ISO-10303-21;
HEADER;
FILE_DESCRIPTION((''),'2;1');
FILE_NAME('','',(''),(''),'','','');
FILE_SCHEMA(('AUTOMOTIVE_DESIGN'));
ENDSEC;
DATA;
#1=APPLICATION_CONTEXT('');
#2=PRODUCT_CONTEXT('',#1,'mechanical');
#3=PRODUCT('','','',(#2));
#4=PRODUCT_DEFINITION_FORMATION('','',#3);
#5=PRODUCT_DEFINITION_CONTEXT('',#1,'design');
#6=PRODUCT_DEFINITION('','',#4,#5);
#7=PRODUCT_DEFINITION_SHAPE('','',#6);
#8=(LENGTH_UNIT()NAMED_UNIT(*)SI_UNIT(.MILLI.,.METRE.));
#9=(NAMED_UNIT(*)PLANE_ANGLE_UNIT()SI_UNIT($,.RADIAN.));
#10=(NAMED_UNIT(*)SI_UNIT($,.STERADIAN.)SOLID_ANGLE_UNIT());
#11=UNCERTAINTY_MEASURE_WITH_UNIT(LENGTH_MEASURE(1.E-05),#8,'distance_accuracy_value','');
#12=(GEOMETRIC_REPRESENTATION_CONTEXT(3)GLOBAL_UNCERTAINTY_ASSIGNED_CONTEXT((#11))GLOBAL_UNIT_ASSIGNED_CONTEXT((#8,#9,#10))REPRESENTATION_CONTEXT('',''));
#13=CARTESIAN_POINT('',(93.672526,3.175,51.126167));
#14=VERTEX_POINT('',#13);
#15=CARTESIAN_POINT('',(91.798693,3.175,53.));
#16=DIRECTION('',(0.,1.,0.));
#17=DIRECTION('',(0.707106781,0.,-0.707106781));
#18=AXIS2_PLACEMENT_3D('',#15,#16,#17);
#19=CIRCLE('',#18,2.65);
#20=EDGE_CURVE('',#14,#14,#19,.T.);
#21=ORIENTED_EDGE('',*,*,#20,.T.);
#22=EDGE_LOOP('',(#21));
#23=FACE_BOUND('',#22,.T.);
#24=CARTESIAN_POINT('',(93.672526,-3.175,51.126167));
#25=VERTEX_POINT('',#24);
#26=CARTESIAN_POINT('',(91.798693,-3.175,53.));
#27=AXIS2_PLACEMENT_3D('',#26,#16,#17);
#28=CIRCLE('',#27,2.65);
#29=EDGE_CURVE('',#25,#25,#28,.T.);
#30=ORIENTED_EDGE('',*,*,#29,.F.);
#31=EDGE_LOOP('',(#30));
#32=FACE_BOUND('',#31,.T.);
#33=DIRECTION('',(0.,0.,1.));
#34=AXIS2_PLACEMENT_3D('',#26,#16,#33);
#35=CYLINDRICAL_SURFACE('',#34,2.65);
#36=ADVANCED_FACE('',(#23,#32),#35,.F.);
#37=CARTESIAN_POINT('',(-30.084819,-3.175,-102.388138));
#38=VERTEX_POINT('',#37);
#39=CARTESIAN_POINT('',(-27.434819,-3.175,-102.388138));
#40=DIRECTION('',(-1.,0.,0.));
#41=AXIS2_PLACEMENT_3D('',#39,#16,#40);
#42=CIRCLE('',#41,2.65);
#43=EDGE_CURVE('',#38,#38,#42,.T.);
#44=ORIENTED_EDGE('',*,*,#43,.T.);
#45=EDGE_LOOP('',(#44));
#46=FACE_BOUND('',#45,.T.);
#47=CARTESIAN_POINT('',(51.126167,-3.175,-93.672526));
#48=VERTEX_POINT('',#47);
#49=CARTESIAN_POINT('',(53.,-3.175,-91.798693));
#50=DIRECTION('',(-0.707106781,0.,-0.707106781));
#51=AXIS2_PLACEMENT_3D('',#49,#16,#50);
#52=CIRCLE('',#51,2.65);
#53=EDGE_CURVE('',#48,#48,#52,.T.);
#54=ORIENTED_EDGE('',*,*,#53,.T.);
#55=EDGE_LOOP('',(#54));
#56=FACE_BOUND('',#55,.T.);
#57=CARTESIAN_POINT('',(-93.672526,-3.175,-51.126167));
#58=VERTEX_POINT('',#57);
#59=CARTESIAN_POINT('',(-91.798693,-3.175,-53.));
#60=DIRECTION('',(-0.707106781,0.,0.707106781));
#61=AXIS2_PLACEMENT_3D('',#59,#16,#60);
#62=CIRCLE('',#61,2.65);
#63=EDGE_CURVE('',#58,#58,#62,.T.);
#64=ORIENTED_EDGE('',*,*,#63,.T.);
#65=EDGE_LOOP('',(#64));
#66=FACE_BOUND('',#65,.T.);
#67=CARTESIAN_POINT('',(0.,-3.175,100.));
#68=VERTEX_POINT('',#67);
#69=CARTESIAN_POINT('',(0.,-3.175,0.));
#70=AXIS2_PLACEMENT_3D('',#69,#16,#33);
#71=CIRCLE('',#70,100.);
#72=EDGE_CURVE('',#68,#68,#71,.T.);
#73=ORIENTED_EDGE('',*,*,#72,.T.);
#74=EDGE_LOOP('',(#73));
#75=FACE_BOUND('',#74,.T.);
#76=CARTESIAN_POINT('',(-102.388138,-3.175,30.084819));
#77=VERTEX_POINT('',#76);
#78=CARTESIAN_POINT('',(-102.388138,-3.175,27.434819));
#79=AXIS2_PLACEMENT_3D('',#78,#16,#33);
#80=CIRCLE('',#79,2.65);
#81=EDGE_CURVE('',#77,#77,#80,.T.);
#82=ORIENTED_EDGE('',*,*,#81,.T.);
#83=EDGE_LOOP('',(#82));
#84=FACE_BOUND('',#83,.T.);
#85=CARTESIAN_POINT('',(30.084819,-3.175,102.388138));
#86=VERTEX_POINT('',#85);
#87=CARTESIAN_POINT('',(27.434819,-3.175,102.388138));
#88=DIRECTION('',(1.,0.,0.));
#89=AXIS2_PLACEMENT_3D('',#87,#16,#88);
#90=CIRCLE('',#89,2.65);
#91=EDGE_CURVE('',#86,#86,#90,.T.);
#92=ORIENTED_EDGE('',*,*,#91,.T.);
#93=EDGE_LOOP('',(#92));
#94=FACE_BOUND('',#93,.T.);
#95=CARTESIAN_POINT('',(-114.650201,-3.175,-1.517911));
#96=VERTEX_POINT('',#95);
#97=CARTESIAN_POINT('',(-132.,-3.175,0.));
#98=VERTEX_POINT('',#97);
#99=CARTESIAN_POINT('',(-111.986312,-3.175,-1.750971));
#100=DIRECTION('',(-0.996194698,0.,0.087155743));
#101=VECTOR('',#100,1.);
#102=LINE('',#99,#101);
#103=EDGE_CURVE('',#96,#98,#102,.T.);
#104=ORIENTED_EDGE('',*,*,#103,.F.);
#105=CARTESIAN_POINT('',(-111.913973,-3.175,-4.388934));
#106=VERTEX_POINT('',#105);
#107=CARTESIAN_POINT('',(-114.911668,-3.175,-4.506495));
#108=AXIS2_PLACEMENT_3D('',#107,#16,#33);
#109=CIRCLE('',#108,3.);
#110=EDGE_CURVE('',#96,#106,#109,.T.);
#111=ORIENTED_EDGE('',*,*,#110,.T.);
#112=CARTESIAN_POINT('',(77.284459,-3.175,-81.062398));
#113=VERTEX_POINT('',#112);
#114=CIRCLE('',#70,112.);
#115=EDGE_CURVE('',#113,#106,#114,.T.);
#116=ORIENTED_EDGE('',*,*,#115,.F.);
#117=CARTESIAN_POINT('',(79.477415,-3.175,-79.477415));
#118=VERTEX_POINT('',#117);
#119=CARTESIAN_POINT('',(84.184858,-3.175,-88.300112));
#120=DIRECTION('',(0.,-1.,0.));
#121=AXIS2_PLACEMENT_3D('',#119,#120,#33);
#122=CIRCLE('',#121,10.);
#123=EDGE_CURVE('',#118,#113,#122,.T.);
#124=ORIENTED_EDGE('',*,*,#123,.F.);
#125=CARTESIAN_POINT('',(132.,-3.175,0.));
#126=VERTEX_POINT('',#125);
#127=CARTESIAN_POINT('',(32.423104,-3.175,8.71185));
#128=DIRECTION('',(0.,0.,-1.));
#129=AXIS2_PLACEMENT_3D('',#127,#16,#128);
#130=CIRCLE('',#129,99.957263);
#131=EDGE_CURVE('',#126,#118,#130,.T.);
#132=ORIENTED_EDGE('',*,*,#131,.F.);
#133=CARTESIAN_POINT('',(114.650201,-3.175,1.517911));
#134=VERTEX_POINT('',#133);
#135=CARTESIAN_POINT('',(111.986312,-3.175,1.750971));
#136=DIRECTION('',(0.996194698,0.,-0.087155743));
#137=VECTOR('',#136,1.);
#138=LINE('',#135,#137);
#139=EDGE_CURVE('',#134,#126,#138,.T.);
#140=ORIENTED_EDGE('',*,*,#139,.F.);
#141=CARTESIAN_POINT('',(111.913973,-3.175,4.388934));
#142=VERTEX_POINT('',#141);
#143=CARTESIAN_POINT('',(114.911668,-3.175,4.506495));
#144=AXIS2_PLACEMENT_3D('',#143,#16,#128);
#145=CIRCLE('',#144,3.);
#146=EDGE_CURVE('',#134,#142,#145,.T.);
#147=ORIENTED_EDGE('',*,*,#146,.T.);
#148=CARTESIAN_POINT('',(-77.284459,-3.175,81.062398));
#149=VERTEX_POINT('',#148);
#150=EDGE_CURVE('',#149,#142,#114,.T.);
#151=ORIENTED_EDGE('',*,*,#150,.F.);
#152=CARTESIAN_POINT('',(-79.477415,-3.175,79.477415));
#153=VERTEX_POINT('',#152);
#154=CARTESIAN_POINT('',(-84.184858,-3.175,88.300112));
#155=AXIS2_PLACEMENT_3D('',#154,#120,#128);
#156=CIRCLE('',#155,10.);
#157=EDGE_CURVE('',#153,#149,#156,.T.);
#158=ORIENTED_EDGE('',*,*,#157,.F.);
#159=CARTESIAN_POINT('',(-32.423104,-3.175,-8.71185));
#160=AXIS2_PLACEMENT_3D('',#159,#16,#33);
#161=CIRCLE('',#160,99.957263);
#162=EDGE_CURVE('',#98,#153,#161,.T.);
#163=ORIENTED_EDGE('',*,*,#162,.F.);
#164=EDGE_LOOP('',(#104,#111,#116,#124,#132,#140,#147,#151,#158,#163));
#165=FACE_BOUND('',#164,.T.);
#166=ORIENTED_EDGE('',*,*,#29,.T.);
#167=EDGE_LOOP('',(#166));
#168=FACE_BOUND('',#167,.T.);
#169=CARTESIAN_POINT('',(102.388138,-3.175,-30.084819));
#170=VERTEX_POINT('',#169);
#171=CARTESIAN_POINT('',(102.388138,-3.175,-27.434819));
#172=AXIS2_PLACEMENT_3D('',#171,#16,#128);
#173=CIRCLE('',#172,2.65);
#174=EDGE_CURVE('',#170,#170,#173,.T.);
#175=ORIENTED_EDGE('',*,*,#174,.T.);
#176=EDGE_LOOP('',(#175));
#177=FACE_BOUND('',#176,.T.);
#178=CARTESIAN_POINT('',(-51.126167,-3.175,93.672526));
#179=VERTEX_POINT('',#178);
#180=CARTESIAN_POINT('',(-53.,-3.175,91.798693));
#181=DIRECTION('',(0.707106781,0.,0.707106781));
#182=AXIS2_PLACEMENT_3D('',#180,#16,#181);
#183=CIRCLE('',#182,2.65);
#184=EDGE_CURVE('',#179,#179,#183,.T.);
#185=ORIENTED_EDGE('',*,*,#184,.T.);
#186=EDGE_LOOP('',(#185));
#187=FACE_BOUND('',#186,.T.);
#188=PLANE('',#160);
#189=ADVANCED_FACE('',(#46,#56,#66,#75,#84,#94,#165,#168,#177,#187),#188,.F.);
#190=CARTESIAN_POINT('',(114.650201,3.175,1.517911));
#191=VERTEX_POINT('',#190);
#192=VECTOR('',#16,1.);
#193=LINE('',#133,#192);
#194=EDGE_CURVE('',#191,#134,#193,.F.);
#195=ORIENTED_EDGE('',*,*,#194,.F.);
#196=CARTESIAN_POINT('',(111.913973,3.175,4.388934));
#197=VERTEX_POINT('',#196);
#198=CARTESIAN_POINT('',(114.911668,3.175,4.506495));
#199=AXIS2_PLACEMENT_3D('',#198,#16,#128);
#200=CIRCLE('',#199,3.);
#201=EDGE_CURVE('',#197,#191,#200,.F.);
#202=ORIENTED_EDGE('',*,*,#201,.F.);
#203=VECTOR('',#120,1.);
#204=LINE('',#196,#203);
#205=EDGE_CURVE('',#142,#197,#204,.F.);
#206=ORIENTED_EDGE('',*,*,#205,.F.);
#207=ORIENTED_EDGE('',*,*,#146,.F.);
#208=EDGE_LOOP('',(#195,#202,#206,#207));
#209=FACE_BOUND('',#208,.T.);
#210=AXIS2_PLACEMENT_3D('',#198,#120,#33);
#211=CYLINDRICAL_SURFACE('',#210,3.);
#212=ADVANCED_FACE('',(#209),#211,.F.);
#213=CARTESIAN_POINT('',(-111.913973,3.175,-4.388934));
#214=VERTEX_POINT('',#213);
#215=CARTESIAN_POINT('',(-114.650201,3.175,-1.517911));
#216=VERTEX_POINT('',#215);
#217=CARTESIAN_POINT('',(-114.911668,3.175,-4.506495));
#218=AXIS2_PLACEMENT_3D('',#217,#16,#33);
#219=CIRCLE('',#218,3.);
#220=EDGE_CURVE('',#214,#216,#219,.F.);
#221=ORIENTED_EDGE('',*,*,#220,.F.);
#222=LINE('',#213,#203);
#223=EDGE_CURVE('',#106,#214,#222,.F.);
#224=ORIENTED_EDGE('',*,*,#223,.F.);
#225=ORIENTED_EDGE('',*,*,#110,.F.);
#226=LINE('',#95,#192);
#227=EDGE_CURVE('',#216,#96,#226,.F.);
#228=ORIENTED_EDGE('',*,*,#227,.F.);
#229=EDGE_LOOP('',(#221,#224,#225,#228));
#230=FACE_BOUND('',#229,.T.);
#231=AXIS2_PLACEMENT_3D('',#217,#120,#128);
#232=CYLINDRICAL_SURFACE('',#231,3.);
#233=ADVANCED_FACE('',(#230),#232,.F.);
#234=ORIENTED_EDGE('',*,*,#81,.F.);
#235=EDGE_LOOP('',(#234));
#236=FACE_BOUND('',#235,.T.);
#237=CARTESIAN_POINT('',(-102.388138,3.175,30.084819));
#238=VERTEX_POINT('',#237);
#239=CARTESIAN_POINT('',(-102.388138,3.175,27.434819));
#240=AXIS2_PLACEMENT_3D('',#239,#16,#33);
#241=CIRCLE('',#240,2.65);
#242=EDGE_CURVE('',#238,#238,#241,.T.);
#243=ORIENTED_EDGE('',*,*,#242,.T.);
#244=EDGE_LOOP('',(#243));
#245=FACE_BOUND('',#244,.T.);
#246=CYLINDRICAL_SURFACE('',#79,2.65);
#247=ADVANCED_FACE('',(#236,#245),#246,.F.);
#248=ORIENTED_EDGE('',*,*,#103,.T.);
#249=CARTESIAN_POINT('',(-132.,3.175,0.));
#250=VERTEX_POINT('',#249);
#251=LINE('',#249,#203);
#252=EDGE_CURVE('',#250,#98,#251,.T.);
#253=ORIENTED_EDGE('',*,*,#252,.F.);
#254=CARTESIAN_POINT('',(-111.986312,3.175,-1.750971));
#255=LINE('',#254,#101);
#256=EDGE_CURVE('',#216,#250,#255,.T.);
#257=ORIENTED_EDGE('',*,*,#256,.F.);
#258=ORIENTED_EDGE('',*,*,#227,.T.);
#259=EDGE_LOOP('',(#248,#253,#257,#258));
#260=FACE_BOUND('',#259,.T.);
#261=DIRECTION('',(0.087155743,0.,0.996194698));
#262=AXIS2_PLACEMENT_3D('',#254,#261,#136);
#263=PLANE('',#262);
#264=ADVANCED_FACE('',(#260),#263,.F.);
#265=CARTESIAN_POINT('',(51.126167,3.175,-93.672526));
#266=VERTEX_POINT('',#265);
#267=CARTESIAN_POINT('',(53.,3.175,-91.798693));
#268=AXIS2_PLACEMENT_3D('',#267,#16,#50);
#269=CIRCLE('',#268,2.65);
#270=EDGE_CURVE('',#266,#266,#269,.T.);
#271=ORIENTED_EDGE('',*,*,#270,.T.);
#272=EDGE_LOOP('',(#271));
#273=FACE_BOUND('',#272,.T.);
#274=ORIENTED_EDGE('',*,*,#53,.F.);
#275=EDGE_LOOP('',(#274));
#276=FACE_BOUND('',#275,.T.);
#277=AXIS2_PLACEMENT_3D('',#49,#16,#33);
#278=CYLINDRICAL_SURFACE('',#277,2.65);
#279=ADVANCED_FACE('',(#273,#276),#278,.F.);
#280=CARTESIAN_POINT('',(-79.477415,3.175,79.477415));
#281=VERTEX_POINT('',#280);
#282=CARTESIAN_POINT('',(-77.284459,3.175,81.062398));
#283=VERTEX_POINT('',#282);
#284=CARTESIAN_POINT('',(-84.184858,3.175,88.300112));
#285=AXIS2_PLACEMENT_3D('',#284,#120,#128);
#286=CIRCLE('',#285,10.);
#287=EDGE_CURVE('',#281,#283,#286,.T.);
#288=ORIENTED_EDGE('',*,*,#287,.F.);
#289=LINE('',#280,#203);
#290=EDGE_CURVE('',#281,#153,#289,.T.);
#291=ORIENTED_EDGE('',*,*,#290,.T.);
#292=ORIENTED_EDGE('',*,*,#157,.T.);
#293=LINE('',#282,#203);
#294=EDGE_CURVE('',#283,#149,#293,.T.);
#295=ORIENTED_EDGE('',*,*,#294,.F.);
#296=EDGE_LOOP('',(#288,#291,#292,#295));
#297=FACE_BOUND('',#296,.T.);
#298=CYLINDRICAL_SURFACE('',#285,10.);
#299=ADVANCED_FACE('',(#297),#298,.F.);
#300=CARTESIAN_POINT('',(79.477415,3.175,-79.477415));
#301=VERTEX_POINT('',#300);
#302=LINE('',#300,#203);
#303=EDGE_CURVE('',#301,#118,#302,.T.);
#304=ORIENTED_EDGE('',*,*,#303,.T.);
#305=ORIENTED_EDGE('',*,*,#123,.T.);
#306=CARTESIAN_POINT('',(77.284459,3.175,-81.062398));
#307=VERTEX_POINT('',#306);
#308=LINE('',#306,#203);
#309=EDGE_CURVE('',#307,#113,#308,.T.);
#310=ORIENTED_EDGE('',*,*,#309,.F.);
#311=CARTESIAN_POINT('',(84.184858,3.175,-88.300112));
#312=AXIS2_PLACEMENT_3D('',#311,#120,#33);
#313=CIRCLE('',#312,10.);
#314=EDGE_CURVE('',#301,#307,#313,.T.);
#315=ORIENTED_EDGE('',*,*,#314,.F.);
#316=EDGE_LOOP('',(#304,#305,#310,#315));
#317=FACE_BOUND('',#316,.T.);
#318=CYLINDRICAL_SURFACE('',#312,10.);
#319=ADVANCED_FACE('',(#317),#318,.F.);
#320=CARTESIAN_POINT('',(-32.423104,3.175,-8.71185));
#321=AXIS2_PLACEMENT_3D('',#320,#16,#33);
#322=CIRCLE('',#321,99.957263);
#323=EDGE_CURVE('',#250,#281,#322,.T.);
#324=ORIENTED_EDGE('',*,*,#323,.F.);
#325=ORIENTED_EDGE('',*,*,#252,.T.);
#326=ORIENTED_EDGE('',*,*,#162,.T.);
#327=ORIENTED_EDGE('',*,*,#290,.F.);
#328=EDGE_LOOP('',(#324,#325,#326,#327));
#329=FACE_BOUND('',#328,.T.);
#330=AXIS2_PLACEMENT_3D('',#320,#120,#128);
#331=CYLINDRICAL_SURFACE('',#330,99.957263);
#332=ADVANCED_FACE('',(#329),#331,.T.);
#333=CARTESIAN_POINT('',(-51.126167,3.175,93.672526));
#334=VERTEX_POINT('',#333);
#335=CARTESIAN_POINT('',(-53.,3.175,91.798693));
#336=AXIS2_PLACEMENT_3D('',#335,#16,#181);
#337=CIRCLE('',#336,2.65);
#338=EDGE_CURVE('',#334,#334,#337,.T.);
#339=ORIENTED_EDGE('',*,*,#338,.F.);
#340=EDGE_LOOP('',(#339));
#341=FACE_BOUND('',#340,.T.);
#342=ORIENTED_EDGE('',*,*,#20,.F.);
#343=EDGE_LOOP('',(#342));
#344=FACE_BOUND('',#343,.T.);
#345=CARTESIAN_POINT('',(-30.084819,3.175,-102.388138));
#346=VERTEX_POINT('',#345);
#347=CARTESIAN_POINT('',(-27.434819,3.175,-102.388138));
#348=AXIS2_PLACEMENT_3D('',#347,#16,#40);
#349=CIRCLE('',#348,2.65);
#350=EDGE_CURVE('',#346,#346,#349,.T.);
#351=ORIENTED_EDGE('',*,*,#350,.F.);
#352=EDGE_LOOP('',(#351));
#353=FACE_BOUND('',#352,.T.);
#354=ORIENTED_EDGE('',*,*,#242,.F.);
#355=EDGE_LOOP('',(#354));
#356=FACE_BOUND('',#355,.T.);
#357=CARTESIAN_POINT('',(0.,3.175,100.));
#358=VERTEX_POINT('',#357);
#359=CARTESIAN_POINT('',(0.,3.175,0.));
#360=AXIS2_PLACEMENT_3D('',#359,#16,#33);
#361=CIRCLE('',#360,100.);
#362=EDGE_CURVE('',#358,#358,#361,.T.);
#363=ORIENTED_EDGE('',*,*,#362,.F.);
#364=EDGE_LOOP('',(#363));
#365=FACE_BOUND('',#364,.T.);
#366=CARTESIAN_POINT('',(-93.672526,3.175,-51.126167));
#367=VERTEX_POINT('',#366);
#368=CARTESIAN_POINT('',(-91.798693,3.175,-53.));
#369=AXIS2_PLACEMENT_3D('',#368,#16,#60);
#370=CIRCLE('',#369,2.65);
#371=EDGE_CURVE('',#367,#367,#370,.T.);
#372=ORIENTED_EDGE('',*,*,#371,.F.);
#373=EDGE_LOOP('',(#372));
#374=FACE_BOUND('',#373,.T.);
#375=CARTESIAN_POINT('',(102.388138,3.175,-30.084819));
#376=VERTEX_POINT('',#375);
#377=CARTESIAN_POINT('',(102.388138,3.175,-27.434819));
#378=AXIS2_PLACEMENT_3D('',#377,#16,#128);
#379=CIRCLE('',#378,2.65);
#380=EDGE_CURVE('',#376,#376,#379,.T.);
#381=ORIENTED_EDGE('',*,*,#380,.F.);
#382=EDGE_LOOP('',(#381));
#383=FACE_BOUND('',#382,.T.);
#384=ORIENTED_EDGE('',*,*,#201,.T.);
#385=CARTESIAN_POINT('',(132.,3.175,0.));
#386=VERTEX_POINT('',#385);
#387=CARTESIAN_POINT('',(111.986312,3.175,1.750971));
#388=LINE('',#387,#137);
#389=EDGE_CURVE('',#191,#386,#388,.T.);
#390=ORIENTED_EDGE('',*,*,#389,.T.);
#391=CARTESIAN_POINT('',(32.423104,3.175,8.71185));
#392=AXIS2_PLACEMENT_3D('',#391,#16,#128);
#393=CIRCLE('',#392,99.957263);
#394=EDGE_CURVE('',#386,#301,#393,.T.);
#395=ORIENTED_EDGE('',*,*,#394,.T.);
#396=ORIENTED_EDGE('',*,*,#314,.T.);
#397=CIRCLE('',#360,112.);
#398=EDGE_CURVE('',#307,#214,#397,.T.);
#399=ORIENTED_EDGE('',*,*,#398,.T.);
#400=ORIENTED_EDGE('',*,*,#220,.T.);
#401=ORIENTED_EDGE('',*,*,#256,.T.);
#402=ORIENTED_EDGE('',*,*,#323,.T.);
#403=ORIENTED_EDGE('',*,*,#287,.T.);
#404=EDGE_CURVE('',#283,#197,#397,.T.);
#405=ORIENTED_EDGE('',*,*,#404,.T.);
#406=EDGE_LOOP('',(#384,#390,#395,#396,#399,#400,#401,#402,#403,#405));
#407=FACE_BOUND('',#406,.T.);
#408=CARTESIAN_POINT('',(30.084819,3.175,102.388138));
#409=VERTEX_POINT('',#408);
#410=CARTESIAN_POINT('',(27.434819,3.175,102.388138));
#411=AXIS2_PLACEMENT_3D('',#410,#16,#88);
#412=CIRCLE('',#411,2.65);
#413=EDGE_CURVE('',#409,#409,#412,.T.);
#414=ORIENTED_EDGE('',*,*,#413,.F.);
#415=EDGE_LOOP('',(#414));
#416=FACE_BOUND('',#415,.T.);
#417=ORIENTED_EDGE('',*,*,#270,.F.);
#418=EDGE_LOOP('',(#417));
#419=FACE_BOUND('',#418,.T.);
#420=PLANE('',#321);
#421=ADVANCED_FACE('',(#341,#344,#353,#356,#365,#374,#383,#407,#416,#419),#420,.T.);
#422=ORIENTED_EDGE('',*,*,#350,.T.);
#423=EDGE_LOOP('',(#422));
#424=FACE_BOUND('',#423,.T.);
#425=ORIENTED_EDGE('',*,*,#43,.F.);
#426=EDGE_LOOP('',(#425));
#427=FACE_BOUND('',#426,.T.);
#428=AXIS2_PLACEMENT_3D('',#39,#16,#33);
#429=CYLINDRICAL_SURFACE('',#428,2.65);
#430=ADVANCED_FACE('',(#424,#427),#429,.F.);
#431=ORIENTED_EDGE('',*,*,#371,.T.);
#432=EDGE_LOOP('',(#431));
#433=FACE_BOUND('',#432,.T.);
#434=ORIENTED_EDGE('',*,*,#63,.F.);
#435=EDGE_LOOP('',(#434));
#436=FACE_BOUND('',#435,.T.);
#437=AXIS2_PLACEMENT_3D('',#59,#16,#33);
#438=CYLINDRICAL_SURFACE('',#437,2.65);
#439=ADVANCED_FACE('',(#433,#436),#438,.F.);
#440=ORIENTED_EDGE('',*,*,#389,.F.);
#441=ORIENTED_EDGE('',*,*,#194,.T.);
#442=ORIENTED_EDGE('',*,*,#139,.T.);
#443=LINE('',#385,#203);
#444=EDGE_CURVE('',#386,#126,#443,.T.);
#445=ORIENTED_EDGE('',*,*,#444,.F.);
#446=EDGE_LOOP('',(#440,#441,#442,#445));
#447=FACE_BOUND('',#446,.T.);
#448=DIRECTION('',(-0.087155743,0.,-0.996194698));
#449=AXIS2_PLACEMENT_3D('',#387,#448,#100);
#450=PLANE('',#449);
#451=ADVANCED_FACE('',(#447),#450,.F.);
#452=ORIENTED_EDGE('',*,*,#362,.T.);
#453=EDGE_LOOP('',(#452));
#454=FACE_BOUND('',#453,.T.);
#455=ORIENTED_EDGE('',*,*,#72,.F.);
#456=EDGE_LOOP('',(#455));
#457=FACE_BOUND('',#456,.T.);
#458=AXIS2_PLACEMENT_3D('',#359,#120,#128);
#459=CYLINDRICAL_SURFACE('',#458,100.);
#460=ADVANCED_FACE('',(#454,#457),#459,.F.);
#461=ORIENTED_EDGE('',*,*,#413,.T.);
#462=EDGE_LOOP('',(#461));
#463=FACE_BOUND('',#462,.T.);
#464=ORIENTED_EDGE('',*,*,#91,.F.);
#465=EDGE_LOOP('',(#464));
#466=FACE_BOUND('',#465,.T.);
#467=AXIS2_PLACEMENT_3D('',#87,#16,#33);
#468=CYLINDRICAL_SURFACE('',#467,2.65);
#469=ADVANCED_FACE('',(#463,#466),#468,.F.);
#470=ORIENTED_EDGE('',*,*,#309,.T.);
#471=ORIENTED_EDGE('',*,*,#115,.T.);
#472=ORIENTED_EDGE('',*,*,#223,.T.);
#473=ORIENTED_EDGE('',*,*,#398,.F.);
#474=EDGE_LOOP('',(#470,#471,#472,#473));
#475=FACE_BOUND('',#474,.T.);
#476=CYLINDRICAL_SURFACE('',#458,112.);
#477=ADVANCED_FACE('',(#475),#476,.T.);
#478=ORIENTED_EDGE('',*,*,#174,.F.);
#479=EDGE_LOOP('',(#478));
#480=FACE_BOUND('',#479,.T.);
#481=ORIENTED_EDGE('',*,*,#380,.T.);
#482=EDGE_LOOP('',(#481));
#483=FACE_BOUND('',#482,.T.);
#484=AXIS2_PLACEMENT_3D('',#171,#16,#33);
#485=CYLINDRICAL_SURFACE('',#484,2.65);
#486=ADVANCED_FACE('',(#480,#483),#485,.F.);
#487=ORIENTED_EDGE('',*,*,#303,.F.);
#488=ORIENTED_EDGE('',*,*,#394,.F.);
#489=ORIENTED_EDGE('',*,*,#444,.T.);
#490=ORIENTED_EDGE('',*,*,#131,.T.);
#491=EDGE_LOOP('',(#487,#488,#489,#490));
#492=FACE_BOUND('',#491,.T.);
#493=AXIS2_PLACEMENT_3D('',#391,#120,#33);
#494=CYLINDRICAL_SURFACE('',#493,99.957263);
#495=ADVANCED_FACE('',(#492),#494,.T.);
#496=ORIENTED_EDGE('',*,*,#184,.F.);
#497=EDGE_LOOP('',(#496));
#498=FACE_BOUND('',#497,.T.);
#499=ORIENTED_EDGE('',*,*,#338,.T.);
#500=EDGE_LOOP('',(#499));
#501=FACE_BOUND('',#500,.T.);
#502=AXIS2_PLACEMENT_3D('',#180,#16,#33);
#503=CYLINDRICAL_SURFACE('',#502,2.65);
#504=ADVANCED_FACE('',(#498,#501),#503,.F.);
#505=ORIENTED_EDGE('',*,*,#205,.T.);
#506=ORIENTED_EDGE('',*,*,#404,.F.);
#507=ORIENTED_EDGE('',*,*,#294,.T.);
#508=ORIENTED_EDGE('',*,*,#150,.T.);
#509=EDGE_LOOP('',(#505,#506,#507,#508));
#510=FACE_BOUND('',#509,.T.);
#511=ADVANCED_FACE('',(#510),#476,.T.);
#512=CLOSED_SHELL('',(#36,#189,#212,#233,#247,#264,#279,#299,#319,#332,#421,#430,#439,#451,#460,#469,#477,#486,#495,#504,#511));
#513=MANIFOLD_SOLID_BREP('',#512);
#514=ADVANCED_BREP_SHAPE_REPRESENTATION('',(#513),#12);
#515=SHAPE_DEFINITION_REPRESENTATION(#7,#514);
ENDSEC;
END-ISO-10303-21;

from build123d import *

# Parameters (mm, degrees)
SKETCH1_R                = 100
BOSS_EXTRUDE1_DEPTH      = 3.175
FILLET1_R                = 3
CIRPATTERN1_COUNT        = 2
FILLET1_OF_CIRPATTERN1_R = 3
SKETCH2_R                = 2.65
CUT_EXTRUDE1_DEPTH       = 174.229104079
CIRPATTERN2_COUNT        = 8


with BuildPart() as part:
    # Sketch1 → Boss-Extrude1 (new, symmetric)
    with BuildSketch(Plane(origin=(0, 0, 0), x_dir=(1, 0, 0), z_dir=(0, 1, 0))):
        with BuildLine():
            Line((-111.986312116, 1.750970805), (-132, 0))
            ThreePointArc((-132, 0), (-115.815804966, -46.398149165), (-79.477414809, -79.477414809))
            ThreePointArc((-79.477414809, -79.477414809), (-78.32708198, -80.19539315), (-77.284459499, -81.062397694))
            ThreePointArc((-77.284459499, -81.062397694), (103.297481806, 43.285450818), (-111.986312116, 1.750970805))
        make_face()
        with Locations(Location((0, 0, 0), (0, 0, 270))):
            Circle(SKETCH1_R, mode=Mode.SUBTRACT)
    boss_extrude1 = extrude(amount=BOSS_EXTRUDE1_DEPTH, both=True)

    # Fillet1
    fillet1_edges = [part.edges().sort_by_distance(p)[0] for p in [
        (-111.986312116, 0, -1.750970805),
    ]]
    fillet(fillet1_edges, radius=FILLET1_R)

    # CirPattern1: Boss-Extrude1 ×2 about axis
    cirpattern1_axis = Axis((0, 0, 0), (0, 1, 0))
    for i in range(1, CIRPATTERN1_COUNT):
        add(boss_extrude1.rotate(cirpattern1_axis, i * 360 / CIRPATTERN1_COUNT))

    # Fillet1 of CirPattern1
    fillet1_of_cirpattern1_edges = [part.edges().sort_by_distance(p)[0] for p in [
        (111.986312116, 0, 1.750970805),
    ]]
    fillet(fillet1_of_cirpattern1_edges, radius=FILLET1_OF_CIRPATTERN1_R)

    # Sketch2 → Cut-Extrude1 (cut, through all)
    with BuildSketch(Plane(origin=(0, 3.175, 0), x_dir=(1, 0, 0), z_dir=(0, 1, 0))):
        with Locations(Location((-102.388137587, -27.434818781, 0), (0, 0, 270))):
            Circle(SKETCH2_R)
    cut_extrude1 = extrude(amount=-CUT_EXTRUDE1_DEPTH, mode=Mode.SUBTRACT)

    # CirPattern2: Cut-Extrude1 ×8 about axis
    cirpattern2_axis = Axis((0, 0, 0), (0, 1, 0))
    for i in range(1, CIRPATTERN2_COUNT):
        add(cut_extrude1.rotate(cirpattern2_axis, i * 360 / CIRPATTERN2_COUNT), mode=Mode.SUBTRACT)


solid = part.part
